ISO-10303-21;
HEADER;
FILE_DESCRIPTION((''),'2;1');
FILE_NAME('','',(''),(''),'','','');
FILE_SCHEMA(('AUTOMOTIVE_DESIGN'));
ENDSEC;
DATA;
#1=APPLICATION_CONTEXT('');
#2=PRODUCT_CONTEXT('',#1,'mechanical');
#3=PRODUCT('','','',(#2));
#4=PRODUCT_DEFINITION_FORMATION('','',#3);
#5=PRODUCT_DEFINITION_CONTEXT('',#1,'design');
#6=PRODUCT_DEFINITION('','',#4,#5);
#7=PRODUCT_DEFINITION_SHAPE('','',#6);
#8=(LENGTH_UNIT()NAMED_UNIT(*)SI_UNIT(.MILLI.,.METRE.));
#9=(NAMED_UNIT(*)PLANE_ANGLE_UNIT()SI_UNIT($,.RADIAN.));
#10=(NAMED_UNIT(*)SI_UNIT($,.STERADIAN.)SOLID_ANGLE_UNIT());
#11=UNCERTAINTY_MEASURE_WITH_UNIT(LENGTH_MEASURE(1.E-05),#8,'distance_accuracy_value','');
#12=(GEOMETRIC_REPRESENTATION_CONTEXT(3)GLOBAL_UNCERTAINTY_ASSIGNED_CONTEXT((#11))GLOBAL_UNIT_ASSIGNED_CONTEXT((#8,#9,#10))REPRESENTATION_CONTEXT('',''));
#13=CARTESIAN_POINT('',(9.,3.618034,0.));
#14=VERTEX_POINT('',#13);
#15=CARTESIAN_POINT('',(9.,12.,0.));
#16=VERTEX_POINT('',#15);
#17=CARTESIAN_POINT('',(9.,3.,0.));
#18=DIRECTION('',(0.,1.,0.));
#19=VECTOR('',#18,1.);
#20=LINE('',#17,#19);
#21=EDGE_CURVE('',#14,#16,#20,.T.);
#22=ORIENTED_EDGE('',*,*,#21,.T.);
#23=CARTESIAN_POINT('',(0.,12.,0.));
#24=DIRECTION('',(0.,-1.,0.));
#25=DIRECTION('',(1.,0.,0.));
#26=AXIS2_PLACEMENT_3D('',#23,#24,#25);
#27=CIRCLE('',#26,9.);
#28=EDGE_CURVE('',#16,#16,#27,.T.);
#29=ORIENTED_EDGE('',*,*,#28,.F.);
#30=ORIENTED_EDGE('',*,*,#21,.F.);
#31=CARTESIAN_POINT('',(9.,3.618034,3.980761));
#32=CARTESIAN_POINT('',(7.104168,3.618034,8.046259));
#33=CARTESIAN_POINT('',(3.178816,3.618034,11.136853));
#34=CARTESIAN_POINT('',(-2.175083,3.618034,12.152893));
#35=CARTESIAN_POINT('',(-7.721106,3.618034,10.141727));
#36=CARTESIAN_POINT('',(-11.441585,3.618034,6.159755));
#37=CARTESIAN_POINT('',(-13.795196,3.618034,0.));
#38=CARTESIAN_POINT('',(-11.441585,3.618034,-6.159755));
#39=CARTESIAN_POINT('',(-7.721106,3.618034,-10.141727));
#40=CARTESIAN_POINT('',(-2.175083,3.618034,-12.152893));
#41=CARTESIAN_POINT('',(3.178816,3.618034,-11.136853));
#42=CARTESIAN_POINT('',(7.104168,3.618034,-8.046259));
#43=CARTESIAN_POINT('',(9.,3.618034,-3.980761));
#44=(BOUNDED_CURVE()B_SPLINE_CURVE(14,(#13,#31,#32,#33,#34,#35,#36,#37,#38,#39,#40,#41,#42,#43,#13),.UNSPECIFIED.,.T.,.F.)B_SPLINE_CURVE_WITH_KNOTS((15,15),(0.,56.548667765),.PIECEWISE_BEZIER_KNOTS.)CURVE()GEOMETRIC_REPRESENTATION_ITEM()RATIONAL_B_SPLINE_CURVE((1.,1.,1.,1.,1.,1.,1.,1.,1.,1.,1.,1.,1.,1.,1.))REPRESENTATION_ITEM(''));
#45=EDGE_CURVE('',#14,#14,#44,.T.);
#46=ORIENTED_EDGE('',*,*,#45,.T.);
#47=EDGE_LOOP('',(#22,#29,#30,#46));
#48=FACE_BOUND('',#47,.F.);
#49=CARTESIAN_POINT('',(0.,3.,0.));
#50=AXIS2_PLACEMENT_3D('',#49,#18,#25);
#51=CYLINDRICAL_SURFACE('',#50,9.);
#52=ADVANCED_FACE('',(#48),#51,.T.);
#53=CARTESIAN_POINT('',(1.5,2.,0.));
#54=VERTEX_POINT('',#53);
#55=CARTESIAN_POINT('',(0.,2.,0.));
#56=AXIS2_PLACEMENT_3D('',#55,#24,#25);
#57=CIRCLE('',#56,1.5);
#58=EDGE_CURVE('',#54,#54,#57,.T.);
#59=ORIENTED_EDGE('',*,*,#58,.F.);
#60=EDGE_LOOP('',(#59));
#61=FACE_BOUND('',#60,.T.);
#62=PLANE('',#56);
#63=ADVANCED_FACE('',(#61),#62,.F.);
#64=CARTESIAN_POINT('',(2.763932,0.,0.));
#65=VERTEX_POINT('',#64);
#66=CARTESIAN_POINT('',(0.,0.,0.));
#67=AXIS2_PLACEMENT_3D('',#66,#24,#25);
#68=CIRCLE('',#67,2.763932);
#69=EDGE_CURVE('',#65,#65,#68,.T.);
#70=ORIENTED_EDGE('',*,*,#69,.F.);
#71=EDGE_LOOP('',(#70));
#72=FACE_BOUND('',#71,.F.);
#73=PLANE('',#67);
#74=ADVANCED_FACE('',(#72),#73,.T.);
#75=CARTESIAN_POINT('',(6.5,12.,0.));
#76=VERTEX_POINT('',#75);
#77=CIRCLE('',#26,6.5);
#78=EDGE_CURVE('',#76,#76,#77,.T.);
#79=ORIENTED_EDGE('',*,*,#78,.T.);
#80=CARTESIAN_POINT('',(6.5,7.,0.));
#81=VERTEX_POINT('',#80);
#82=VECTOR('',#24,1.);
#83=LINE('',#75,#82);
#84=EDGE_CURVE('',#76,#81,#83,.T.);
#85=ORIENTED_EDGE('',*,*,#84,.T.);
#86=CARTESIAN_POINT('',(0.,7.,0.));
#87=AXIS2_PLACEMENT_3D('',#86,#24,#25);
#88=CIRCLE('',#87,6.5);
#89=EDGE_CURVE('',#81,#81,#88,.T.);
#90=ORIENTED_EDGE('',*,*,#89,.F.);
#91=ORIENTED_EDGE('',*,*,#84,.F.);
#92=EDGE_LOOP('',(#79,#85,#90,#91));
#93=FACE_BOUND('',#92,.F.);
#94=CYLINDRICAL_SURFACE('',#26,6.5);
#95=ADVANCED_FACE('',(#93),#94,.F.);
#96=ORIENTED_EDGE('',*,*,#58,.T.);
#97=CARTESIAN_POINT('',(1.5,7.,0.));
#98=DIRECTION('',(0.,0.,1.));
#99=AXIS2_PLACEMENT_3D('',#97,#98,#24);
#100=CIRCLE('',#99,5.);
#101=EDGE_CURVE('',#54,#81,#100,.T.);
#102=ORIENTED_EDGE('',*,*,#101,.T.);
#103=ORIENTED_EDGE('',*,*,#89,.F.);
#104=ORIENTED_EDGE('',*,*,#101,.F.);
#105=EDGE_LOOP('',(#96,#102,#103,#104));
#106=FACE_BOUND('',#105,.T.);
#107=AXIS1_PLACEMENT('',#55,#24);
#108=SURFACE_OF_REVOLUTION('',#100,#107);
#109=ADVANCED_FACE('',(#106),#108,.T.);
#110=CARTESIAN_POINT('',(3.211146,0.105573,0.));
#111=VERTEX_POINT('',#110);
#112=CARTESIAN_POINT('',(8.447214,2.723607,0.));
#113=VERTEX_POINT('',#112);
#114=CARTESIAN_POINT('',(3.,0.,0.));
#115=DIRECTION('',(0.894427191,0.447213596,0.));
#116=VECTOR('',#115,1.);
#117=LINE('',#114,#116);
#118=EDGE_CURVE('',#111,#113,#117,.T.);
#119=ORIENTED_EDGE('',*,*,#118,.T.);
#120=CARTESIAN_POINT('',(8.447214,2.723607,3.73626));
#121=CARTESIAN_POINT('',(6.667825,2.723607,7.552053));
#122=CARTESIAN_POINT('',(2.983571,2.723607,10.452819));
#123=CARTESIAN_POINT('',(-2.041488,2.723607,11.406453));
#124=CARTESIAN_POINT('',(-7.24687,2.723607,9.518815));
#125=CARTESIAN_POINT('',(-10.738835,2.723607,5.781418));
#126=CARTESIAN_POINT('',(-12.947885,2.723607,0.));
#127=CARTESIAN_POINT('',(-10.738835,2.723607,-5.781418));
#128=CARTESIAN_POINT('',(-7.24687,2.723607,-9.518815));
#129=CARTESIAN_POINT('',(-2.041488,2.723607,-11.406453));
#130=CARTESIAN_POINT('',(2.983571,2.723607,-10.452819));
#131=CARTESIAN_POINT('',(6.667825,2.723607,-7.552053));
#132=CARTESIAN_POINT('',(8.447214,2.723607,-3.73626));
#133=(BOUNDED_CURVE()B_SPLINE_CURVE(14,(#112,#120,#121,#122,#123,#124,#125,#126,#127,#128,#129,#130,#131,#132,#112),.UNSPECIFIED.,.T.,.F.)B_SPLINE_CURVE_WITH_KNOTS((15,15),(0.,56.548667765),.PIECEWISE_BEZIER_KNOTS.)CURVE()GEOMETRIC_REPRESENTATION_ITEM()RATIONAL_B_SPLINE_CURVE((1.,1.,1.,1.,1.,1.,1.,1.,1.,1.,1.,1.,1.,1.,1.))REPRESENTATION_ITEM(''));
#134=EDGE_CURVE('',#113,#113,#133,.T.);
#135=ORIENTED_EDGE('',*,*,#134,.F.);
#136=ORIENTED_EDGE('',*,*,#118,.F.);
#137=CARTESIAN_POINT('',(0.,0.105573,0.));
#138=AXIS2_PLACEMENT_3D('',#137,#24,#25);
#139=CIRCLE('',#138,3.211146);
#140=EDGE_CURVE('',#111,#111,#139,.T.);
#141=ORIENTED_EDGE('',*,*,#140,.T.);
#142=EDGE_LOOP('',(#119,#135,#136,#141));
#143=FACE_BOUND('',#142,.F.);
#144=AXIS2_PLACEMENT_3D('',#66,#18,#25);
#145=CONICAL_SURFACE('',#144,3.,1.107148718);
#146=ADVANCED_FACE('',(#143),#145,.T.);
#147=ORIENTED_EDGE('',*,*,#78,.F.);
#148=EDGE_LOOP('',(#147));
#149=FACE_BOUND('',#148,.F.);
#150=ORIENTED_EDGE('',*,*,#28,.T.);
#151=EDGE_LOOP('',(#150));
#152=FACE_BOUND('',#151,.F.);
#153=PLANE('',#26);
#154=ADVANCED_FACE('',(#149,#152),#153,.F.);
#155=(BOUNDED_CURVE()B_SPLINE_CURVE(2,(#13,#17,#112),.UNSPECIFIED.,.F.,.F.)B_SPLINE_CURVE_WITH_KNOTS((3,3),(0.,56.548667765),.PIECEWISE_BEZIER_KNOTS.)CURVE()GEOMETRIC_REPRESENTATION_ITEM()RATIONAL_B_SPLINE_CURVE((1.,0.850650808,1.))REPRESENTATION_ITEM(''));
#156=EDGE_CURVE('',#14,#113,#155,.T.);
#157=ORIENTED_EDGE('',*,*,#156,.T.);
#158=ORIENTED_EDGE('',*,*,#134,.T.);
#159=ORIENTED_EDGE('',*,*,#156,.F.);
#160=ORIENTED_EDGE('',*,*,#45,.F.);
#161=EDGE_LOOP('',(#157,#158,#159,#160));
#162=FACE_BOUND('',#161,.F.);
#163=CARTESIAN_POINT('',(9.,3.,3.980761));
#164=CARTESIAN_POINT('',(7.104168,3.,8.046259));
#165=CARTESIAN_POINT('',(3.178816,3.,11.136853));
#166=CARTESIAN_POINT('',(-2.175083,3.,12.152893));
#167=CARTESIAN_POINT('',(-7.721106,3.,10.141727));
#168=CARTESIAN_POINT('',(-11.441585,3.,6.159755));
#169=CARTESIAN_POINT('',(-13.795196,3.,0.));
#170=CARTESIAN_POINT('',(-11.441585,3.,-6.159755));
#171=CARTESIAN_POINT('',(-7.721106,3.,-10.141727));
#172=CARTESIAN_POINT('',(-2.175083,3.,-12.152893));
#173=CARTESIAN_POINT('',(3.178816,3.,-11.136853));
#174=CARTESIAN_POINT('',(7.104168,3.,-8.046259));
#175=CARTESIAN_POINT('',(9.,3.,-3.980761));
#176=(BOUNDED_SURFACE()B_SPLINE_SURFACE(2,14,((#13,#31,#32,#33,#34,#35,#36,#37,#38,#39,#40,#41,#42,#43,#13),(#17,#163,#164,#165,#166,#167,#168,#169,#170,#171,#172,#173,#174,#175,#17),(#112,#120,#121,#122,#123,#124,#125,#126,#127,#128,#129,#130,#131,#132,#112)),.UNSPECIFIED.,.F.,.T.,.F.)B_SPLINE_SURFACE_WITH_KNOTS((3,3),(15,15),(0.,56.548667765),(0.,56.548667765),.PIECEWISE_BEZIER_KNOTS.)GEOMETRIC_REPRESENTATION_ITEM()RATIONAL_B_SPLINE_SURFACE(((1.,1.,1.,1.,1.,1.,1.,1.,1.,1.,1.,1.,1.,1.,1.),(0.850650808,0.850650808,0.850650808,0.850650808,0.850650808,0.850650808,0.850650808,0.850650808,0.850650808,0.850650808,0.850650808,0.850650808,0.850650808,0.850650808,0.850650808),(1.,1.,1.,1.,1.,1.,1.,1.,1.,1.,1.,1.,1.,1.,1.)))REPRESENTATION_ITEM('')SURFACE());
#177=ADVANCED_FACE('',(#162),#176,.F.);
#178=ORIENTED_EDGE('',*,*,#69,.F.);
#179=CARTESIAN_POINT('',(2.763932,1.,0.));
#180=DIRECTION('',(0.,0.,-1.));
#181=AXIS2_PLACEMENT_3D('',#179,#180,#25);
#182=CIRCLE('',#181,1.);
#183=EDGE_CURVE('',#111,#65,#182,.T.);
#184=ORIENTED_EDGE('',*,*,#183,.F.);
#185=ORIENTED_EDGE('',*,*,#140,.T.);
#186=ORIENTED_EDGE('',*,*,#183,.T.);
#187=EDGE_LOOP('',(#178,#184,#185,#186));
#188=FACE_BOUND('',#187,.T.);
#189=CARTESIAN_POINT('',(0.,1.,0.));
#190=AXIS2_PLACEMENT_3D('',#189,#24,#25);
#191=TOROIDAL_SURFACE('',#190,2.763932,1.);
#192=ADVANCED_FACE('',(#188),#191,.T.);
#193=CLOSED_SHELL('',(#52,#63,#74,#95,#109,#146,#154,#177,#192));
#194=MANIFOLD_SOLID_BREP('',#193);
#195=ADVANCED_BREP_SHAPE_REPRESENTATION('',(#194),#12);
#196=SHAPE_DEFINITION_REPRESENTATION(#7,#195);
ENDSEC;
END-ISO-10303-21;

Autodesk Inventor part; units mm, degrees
ref_plane "YZ Plane" through (0, 0, 0) normal (1, 0, 0) x (0, 1, 0)
ref_plane "XZ Plane" through (0, 0, 0) normal (0, 1, 0) x (-1, 0, 0)
ref_plane "XY Plane" through (0, 0, 0) normal (0, 0, 1) x (1, 0, 0)
sketch "Эскиз1" plane through (0, 0, 0) normal (0, 0, 1) x (1, 0, 0)
  line L0 (0, 0) -> (3, 0)
  line L1 (3, 0) -> (9, 3)
  line L2 (9, 3) -> (9, 12)
  line L3 (9, 12) -> (6.5, 12)
  line L4 (6.5, 12) -> (6.5, 7)
  line L5 (0, 2) -> (0, 0)
  line L6 (0, 2) -> (1.5, 2)
  arc A0 (1.5, 2) -> (6.5, 7) centre (1.5, 7) ccw
  dimension "d0" = 18
  dimension "d2" = 13
  dimension "d3" = 12
  dimension "d4" = 9
  dimension "d5" = 6
  dimension "d6" = 10
  dimension "d9" = 1.5
  dimension "d10" = 5
revolve "Вращение1" add sketch "Эскиз1" angle 360 about axis through (0, 2, 0) along (0, -1, 0)
fillet "Сопряжение1" radius 1 2 edges at (-9, 3, 0) (-3, 0, 0)
properties part number "paris_pivot_cup"
